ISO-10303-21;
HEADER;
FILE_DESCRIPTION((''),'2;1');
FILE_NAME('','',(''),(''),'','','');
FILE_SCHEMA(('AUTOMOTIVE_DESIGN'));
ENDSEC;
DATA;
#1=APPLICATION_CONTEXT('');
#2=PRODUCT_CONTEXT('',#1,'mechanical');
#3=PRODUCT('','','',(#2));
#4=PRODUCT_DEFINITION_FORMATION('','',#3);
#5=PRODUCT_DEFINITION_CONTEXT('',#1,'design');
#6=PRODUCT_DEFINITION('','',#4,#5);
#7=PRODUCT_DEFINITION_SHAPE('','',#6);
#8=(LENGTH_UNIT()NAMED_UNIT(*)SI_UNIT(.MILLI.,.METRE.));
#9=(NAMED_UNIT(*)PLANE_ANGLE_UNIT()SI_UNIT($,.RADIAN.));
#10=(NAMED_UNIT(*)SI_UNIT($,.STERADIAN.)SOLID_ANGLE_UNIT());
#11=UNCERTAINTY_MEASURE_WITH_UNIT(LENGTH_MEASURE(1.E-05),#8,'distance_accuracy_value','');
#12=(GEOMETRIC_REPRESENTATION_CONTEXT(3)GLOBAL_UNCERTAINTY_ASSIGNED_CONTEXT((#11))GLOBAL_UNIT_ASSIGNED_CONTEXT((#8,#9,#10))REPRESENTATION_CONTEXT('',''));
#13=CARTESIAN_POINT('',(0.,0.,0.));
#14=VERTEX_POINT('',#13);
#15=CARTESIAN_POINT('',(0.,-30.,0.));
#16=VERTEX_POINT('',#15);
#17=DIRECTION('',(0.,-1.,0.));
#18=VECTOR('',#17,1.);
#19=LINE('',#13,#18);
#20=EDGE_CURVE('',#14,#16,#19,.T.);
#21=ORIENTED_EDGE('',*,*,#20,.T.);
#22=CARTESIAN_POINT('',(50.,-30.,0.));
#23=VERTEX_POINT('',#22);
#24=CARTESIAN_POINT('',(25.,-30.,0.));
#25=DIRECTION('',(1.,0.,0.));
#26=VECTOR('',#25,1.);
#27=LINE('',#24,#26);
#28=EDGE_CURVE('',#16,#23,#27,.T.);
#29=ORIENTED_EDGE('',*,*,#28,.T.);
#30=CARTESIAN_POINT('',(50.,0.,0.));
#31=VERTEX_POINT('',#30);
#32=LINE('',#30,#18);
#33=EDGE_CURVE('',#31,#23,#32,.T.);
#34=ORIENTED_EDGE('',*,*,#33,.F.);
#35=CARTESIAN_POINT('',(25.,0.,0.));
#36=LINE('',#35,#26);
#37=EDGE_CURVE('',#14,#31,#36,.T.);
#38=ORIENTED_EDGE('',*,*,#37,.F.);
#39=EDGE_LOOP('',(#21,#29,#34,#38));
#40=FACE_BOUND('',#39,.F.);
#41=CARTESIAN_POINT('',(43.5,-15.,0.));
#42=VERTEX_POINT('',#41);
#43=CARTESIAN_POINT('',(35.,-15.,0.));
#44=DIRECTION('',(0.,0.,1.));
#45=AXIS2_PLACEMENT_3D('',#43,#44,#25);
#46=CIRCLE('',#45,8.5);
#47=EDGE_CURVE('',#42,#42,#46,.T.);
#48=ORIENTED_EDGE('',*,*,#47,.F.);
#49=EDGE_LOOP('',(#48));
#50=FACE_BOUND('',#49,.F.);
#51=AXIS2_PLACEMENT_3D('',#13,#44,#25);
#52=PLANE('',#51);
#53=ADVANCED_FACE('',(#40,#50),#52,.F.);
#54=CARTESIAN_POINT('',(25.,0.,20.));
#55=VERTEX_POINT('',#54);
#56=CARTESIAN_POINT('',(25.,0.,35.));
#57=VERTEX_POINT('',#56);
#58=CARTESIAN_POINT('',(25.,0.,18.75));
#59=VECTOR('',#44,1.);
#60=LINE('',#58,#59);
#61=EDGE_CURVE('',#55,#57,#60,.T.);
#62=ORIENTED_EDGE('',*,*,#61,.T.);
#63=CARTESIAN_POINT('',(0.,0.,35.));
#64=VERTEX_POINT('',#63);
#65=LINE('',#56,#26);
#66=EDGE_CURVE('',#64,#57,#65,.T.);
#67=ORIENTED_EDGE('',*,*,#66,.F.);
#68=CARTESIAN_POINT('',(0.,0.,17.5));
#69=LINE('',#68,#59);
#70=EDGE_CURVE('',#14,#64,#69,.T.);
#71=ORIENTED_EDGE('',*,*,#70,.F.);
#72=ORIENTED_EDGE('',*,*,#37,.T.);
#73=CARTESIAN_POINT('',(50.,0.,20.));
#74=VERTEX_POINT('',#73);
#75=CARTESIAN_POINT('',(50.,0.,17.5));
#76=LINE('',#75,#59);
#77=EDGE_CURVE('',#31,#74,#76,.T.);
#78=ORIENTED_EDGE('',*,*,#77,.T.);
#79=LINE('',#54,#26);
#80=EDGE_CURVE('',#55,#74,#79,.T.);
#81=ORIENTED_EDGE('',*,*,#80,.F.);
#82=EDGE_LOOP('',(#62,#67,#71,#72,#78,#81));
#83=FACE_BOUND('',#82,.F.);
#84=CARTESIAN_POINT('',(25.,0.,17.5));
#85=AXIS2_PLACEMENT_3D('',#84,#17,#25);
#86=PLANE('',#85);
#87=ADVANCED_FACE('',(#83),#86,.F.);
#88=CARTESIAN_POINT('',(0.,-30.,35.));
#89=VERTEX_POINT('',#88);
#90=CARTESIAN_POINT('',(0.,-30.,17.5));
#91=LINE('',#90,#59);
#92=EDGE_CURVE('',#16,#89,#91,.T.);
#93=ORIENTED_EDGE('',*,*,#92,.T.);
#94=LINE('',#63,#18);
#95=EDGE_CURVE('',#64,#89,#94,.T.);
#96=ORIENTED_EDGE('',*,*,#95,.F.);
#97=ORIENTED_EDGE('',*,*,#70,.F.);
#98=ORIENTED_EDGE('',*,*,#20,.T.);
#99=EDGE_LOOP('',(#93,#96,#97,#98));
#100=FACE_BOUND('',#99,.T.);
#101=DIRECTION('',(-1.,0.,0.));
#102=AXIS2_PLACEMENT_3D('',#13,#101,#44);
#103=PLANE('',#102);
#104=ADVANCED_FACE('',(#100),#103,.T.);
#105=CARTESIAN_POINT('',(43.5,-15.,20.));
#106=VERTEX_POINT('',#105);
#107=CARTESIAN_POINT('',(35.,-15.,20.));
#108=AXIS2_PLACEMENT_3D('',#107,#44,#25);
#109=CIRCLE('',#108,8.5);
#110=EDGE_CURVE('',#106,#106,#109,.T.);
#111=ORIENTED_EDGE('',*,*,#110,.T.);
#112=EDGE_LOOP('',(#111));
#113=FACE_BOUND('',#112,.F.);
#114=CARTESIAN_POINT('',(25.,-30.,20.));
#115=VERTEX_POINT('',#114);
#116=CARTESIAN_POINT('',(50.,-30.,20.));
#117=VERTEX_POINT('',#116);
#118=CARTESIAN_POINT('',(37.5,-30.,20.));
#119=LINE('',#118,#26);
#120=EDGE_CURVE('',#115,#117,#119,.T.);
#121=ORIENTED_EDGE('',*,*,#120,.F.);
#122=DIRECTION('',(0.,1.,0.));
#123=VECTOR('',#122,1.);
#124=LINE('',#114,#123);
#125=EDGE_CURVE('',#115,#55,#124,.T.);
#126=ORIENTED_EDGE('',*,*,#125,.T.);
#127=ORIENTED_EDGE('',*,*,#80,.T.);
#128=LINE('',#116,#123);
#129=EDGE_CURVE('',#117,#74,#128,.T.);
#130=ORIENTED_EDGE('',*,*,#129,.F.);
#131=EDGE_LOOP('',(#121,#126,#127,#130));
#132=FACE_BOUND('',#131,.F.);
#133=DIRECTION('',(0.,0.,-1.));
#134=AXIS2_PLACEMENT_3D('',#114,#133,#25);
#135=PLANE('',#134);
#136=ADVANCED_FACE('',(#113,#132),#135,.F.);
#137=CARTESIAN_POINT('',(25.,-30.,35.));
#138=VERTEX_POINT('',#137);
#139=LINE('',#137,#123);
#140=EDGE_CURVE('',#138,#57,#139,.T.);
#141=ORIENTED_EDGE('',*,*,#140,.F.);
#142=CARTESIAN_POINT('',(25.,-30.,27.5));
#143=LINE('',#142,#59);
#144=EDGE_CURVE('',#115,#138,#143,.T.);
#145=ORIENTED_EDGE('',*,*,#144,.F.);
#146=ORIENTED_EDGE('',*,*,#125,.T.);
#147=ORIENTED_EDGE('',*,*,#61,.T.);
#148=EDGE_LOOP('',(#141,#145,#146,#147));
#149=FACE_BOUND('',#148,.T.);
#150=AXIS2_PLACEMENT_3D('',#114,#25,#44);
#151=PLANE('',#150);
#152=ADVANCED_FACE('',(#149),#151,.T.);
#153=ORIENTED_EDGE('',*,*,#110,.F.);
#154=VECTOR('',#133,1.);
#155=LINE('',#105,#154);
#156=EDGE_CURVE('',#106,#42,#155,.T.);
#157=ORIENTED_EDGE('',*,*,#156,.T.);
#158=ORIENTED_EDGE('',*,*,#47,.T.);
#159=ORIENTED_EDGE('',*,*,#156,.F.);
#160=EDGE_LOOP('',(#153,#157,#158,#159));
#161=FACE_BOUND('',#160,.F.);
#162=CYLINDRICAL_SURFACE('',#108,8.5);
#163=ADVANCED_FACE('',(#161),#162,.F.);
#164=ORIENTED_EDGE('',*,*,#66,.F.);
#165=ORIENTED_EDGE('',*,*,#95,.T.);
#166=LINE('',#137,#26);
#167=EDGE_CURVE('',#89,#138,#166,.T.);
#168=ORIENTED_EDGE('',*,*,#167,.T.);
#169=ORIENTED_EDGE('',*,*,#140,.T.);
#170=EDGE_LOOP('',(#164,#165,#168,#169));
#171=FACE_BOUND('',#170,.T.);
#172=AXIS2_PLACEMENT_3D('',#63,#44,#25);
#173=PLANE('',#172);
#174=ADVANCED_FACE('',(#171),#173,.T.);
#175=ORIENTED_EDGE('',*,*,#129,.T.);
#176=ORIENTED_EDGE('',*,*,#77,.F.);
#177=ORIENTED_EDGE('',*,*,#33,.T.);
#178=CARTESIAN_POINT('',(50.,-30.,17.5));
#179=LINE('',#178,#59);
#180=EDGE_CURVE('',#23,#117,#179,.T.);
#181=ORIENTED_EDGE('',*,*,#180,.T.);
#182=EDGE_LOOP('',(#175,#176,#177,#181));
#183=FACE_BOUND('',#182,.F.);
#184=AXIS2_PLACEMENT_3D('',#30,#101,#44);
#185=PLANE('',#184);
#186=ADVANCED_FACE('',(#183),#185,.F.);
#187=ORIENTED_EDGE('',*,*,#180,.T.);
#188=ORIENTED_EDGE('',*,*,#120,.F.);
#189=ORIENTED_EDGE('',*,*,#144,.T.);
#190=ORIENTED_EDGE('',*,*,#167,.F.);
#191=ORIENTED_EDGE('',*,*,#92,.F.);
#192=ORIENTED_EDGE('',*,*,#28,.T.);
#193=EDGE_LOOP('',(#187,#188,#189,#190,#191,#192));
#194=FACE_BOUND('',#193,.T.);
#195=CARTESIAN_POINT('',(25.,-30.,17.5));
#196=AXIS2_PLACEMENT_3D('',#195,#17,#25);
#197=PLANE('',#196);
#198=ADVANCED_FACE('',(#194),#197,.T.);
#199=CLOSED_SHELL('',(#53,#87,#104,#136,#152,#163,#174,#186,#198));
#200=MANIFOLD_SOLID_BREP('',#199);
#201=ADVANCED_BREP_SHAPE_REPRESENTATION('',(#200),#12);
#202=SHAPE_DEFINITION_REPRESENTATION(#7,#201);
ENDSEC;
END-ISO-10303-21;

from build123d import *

# Parameters (mm, degrees)
F0_W     = 50
F0_H     = 35
F1_DEPTH = 30
F2_W     = 25
F2_H     = 15
F3_DEPTH = 30.001
F4_R     = 8.5
F5_DEPTH = 20.001


with BuildPart() as f1:
    # F0 (on Front) → F1 (new body)
    with BuildSketch(Plane.XZ):
        with Locations((25, 17.5)):
            Rectangle(F0_W, F0_H)
    extrude(amount=F1_DEPTH)

    # F2 (on face) → F3 (cut, through all)
    with BuildSketch(Plane.XZ.offset(30)):
        with Locations((37.5, 27.5)):
            Rectangle(F2_W, F2_H)
    extrude(amount=-F3_DEPTH, mode=Mode.SUBTRACT)

    # F4 (on face) → F5 (cut, through all)
    with BuildSketch(Plane.XY.offset(20)):
        with Locations((35, -15)):
            Circle(F4_R)
    extrude(amount=-F5_DEPTH, mode=Mode.SUBTRACT)


solid = f1.part
